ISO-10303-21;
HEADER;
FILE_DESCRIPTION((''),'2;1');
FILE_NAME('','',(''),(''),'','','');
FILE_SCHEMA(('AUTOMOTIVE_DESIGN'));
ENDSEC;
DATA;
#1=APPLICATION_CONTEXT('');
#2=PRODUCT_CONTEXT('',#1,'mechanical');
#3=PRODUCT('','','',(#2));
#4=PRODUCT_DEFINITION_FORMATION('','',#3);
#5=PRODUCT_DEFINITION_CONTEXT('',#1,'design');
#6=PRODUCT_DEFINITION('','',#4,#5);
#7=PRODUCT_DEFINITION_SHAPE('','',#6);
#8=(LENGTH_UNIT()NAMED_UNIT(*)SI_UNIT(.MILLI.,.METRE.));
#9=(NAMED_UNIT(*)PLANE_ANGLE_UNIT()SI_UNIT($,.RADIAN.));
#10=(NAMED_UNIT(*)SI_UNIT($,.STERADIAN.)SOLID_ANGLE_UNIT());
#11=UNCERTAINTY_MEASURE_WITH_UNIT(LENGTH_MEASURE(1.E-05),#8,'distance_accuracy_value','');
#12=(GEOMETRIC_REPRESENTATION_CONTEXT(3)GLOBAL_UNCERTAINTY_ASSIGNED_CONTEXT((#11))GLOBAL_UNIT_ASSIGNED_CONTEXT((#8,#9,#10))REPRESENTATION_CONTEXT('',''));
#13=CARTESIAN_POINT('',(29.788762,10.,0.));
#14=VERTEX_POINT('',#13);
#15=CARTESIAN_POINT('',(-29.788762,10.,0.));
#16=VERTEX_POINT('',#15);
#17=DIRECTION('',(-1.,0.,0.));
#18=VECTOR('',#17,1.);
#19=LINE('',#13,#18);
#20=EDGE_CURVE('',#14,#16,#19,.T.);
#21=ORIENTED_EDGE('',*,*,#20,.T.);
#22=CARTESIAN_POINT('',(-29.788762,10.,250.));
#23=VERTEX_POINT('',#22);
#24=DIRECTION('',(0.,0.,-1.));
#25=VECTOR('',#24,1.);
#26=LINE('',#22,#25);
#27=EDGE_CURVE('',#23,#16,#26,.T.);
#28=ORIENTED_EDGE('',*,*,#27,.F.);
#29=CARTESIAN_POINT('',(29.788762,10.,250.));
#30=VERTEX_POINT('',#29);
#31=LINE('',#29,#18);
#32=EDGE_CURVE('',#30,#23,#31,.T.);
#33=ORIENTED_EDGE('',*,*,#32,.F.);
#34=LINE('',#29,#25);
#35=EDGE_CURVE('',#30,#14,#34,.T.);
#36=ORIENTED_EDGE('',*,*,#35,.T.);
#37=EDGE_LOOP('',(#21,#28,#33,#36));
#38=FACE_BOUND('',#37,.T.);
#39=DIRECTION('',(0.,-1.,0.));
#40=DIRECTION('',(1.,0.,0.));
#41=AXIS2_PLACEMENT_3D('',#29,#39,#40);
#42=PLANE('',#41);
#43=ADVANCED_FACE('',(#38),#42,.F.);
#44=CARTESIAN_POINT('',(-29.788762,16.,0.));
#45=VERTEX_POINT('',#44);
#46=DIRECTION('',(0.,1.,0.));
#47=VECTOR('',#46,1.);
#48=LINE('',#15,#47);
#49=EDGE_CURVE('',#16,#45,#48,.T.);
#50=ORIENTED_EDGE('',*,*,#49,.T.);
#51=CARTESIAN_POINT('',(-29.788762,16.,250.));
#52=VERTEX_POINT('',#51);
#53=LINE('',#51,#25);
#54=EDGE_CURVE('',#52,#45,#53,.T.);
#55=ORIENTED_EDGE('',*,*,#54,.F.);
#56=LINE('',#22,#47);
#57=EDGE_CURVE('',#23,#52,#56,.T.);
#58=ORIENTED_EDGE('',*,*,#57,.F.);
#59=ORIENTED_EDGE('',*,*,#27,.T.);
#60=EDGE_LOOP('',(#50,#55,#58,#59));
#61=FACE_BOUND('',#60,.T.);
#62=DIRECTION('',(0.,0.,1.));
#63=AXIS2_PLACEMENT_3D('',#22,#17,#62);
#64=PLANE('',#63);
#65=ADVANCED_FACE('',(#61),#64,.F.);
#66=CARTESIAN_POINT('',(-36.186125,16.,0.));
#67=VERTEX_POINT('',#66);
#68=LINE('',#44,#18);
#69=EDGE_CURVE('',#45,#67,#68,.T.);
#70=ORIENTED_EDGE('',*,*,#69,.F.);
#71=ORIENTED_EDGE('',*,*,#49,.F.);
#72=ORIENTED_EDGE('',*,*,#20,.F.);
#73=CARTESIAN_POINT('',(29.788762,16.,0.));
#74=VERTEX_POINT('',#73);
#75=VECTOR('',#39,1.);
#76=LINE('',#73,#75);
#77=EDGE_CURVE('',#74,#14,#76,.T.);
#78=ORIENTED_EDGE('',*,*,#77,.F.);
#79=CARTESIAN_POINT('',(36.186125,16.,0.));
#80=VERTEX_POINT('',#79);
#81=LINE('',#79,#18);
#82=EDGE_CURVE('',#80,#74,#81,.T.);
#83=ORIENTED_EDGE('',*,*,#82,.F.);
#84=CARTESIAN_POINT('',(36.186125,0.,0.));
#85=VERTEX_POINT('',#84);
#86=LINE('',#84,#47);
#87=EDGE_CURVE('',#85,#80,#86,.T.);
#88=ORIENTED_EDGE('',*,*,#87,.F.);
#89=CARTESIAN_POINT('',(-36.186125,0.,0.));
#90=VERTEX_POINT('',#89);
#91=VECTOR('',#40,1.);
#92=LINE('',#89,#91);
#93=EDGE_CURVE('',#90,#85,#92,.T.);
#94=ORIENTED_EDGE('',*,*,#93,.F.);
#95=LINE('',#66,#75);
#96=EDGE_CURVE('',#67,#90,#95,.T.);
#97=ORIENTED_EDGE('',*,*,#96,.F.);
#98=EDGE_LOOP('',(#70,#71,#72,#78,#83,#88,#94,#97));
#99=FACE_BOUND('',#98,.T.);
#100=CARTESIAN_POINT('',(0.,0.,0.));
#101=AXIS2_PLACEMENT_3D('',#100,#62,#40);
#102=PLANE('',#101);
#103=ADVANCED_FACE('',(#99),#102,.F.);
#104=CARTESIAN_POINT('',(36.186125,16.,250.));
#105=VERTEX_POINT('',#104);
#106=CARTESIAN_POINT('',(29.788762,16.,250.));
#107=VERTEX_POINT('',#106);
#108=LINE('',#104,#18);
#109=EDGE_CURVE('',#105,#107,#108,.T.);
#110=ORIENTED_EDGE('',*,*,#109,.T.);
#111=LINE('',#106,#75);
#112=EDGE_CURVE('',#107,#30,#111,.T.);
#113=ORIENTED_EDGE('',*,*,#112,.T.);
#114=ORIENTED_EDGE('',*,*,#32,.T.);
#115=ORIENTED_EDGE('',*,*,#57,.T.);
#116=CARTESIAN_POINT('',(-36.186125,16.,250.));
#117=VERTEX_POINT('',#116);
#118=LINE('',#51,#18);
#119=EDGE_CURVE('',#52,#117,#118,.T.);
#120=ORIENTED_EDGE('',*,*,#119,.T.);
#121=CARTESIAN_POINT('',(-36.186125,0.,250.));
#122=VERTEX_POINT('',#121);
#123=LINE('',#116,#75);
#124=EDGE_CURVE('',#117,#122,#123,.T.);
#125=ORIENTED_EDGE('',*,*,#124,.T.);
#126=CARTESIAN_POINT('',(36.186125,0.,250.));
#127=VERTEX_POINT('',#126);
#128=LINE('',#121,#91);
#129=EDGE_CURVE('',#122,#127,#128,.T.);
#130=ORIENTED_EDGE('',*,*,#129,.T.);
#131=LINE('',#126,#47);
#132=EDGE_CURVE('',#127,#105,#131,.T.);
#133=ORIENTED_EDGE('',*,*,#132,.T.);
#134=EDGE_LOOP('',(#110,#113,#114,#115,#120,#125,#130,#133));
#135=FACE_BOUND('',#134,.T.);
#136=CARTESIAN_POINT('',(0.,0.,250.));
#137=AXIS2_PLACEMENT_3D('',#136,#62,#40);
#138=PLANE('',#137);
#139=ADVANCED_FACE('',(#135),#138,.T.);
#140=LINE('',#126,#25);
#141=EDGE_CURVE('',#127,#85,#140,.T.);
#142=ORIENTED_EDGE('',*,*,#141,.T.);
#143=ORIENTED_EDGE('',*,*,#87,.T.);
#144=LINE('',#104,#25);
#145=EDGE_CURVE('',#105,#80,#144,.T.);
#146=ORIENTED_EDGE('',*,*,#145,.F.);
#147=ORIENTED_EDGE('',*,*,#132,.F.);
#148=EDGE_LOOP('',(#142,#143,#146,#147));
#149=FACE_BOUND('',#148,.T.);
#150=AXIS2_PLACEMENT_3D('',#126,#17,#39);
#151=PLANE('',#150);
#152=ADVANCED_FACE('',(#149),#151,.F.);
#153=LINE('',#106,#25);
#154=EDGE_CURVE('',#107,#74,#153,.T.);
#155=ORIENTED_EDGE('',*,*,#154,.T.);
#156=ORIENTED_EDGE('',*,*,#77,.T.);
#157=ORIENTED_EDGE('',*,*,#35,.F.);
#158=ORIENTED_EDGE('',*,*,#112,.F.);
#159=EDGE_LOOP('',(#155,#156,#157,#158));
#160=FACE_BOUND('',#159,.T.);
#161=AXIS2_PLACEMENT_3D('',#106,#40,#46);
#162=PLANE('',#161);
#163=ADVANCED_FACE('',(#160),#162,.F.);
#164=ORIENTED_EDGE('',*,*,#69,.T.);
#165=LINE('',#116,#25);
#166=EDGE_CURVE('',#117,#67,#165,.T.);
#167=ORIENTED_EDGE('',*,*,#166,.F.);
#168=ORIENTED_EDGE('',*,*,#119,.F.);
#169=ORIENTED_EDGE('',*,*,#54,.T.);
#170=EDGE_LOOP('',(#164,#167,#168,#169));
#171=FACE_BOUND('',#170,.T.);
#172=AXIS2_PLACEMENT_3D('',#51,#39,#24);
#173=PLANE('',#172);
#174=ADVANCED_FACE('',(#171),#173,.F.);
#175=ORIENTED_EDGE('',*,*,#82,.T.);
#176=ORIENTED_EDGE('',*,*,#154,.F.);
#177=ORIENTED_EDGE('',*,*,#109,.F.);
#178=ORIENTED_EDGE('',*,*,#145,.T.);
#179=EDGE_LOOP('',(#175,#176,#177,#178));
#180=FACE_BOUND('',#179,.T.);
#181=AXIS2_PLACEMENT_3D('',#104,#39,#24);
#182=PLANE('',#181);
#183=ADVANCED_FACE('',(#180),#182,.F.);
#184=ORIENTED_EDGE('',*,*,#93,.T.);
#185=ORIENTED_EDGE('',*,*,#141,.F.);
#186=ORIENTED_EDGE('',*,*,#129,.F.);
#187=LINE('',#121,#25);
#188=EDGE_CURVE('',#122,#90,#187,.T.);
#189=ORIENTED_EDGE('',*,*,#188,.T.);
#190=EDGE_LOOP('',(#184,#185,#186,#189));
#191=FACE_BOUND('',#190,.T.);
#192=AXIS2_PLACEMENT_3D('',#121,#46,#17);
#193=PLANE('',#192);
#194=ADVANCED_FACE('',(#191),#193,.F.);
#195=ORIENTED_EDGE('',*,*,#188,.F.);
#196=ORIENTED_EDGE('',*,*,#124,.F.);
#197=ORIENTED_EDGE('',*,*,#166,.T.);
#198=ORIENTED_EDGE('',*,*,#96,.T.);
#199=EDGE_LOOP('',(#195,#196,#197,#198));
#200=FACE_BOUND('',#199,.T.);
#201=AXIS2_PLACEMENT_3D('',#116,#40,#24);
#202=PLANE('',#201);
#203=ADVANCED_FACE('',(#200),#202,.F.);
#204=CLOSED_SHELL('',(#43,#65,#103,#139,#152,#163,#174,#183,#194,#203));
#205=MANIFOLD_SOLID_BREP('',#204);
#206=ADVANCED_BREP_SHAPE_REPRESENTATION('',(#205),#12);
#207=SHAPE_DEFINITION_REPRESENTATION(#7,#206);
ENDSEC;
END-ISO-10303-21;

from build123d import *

# Parameters (mm, degrees)
EXTRUDE_1_DEPTH = 250


with BuildPart() as part:
    # Эскиз1 → Бобышка-Вытянуть1 (new body)
    with BuildSketch(Plane.XY):
        Polygon((-36.186125013, 0), (36.186125013, 0), (36.186125013, 16), (29.788761687, 16), (29.788761687, 10), (-29.788761687, 10), (-29.788761687, 16), (-36.186125013, 16), align=None)
    extrude(amount=EXTRUDE_1_DEPTH)


solid = part.part
